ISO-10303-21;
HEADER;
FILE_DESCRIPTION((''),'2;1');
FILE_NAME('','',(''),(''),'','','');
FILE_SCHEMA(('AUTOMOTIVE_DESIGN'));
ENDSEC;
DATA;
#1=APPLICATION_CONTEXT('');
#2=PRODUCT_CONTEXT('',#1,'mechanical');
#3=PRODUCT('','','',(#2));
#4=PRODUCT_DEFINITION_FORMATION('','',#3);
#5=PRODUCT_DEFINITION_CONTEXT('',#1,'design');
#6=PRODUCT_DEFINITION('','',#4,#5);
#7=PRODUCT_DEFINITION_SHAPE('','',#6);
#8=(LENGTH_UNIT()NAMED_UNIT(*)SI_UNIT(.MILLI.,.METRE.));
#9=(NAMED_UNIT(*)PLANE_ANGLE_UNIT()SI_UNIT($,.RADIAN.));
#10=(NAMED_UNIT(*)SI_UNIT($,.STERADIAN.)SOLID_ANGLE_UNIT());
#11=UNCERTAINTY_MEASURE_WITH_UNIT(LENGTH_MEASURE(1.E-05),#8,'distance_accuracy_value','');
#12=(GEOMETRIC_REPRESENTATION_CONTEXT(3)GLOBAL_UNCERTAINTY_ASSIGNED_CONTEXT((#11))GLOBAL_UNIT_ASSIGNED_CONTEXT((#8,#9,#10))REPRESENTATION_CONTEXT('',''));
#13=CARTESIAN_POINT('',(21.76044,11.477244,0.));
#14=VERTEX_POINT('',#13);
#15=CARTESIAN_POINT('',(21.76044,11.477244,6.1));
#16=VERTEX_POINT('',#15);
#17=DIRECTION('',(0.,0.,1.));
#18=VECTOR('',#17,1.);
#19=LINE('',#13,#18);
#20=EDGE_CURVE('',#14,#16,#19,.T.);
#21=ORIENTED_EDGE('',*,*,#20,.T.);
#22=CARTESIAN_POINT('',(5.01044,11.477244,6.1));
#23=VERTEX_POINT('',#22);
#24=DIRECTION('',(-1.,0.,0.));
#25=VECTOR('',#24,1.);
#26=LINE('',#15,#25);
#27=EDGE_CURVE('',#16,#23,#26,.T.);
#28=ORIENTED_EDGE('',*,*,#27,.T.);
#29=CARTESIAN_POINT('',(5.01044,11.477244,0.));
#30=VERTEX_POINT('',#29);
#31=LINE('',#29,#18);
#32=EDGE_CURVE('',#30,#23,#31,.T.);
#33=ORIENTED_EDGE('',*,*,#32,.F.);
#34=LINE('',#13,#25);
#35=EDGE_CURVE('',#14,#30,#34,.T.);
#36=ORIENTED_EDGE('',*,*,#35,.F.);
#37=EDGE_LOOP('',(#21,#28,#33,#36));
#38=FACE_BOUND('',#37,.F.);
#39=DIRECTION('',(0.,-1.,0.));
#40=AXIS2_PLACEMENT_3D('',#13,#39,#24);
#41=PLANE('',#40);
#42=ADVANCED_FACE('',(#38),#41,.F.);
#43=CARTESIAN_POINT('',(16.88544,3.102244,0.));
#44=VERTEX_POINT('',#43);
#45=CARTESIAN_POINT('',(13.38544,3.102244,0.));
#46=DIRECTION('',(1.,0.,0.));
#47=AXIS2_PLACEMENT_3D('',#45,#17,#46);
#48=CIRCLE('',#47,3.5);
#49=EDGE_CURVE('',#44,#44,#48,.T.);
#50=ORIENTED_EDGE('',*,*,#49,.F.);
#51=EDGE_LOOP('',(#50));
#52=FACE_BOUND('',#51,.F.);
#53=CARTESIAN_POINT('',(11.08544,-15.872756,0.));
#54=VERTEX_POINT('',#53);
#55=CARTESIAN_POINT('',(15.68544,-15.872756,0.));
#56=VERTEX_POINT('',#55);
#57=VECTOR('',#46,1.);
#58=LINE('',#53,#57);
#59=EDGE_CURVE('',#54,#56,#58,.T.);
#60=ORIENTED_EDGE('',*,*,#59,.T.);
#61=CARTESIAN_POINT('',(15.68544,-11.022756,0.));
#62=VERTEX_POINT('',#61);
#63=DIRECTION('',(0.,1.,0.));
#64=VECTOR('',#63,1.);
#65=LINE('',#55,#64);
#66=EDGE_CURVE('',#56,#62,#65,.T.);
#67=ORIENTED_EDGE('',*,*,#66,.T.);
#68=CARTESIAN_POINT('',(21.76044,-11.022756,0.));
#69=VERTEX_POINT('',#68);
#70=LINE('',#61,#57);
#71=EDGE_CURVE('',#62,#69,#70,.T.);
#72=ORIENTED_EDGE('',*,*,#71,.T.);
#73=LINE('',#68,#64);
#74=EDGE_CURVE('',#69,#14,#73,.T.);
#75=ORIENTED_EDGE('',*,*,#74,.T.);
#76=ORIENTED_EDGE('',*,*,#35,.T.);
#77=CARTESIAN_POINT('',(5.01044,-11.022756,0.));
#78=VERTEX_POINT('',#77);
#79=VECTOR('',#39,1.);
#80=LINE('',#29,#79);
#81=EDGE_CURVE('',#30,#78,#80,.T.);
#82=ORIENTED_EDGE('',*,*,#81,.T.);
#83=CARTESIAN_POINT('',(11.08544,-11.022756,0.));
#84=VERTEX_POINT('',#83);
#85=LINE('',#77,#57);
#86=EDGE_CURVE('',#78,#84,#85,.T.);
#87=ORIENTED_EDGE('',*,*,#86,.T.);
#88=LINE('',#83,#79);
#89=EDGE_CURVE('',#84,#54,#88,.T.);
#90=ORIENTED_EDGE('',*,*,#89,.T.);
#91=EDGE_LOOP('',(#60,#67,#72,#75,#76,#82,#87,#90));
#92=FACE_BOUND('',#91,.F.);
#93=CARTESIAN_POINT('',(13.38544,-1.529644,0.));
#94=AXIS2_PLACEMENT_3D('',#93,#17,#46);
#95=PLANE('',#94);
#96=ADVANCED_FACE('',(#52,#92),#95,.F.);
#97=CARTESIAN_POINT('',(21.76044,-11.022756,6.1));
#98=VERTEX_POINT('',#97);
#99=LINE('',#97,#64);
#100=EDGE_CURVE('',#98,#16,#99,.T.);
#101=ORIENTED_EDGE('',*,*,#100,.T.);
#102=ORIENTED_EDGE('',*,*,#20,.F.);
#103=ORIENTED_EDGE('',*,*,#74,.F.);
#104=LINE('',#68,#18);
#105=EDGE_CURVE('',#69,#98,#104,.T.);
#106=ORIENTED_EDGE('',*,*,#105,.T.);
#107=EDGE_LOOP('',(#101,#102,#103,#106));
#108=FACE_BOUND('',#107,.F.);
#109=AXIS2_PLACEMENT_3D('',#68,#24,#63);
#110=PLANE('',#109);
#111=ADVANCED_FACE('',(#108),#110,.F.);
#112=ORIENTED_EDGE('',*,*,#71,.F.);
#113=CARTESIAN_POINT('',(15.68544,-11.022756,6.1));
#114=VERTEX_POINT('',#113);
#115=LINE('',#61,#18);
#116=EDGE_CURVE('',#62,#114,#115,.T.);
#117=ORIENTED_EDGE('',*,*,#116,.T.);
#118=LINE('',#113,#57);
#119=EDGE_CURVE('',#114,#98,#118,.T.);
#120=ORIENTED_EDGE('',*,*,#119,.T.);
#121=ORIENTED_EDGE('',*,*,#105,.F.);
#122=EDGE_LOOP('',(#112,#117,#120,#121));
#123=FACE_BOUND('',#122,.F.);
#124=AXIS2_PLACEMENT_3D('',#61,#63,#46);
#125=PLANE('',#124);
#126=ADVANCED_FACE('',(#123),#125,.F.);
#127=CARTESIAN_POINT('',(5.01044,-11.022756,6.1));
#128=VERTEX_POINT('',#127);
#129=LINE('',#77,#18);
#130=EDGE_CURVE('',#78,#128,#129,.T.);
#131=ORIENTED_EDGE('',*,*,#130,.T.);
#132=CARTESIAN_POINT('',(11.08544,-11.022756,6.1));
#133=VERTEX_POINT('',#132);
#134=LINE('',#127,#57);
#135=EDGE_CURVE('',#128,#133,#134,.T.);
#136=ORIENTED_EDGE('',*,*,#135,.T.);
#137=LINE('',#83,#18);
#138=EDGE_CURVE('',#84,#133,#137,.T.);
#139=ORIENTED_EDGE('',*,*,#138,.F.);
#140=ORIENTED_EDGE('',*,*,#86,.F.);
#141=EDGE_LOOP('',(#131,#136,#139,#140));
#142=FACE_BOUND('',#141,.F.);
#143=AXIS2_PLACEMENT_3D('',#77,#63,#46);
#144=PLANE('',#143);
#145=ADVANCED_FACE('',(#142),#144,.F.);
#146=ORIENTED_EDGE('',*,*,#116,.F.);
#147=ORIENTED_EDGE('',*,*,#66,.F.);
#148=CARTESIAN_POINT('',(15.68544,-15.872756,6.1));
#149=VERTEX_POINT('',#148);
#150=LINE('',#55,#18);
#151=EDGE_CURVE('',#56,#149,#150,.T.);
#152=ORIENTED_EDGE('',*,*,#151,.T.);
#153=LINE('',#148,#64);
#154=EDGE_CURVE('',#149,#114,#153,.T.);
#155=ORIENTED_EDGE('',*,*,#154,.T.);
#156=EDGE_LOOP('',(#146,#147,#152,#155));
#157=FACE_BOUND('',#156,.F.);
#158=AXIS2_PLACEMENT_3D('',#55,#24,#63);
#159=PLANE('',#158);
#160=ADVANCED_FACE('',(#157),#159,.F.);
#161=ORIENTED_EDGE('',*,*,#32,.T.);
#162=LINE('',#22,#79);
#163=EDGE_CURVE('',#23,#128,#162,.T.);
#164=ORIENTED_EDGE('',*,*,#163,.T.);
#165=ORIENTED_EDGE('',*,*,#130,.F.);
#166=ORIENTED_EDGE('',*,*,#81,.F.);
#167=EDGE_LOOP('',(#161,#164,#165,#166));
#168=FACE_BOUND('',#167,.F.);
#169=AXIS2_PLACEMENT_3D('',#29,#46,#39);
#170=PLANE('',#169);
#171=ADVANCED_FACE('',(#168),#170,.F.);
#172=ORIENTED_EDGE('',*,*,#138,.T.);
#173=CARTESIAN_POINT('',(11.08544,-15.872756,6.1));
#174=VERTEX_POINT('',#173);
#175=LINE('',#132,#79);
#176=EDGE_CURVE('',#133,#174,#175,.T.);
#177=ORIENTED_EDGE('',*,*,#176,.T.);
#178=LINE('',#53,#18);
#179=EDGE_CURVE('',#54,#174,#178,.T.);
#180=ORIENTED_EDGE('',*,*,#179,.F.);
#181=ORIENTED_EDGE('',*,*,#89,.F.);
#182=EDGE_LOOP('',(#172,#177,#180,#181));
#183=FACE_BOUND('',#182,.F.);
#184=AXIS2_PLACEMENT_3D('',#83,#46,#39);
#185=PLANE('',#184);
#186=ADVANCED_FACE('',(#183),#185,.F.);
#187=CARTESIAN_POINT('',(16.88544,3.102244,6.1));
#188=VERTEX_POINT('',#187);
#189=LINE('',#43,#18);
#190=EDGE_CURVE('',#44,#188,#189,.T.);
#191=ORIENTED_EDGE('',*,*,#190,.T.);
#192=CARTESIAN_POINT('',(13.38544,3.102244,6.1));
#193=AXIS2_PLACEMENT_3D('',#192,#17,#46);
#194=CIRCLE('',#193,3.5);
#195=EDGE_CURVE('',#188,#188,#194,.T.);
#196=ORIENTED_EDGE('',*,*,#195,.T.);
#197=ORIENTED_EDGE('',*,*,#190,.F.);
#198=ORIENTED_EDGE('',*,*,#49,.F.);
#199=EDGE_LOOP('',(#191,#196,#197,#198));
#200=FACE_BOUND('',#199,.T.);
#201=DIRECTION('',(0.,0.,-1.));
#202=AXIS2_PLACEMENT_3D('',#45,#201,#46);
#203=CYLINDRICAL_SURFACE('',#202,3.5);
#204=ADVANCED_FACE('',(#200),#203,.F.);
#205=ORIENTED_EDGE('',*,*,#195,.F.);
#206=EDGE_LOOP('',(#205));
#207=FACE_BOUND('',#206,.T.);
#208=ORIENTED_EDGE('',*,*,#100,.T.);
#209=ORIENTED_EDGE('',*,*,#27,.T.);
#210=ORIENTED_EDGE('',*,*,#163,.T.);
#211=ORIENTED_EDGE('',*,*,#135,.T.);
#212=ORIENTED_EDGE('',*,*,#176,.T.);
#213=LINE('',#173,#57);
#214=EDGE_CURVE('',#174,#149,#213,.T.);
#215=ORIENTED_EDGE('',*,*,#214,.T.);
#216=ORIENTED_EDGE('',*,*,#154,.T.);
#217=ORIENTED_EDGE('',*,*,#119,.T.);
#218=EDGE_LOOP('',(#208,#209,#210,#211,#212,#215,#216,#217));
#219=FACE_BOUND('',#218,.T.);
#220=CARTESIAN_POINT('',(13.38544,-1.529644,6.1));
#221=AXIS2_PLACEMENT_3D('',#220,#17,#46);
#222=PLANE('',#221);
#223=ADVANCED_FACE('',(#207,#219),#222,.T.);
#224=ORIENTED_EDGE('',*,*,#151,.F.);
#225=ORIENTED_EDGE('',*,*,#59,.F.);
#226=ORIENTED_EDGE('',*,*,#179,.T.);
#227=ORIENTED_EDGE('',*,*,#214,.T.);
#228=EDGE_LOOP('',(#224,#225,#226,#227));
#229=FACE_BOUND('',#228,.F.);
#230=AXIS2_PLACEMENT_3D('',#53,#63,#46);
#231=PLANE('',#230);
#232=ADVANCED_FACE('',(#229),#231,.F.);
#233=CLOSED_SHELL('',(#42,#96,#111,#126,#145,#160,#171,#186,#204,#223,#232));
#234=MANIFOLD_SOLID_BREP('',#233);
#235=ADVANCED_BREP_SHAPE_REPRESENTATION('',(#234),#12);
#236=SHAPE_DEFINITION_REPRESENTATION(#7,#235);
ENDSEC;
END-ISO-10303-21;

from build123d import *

# Parameters (mm, degrees)
F0_R     = 3.5
F1_DEPTH = 6.1


with BuildPart() as f1:
    # F0 (on Top) → F1 (new body)
    with BuildSketch(Plane.XY):
        Polygon((21.76044, 11.477244), (5.01044, 11.477244), (5.01044, -11.022756), (11.08544, -11.022756), (11.08544, -15.872756), (15.68544, -15.872756), (15.68544, -11.022756), (21.76044, -11.022756), align=None)
        with Locations((13.38544, 3.102244)):
            Circle(F0_R, mode=Mode.SUBTRACT)
    extrude(amount=F1_DEPTH)


solid = f1.part
